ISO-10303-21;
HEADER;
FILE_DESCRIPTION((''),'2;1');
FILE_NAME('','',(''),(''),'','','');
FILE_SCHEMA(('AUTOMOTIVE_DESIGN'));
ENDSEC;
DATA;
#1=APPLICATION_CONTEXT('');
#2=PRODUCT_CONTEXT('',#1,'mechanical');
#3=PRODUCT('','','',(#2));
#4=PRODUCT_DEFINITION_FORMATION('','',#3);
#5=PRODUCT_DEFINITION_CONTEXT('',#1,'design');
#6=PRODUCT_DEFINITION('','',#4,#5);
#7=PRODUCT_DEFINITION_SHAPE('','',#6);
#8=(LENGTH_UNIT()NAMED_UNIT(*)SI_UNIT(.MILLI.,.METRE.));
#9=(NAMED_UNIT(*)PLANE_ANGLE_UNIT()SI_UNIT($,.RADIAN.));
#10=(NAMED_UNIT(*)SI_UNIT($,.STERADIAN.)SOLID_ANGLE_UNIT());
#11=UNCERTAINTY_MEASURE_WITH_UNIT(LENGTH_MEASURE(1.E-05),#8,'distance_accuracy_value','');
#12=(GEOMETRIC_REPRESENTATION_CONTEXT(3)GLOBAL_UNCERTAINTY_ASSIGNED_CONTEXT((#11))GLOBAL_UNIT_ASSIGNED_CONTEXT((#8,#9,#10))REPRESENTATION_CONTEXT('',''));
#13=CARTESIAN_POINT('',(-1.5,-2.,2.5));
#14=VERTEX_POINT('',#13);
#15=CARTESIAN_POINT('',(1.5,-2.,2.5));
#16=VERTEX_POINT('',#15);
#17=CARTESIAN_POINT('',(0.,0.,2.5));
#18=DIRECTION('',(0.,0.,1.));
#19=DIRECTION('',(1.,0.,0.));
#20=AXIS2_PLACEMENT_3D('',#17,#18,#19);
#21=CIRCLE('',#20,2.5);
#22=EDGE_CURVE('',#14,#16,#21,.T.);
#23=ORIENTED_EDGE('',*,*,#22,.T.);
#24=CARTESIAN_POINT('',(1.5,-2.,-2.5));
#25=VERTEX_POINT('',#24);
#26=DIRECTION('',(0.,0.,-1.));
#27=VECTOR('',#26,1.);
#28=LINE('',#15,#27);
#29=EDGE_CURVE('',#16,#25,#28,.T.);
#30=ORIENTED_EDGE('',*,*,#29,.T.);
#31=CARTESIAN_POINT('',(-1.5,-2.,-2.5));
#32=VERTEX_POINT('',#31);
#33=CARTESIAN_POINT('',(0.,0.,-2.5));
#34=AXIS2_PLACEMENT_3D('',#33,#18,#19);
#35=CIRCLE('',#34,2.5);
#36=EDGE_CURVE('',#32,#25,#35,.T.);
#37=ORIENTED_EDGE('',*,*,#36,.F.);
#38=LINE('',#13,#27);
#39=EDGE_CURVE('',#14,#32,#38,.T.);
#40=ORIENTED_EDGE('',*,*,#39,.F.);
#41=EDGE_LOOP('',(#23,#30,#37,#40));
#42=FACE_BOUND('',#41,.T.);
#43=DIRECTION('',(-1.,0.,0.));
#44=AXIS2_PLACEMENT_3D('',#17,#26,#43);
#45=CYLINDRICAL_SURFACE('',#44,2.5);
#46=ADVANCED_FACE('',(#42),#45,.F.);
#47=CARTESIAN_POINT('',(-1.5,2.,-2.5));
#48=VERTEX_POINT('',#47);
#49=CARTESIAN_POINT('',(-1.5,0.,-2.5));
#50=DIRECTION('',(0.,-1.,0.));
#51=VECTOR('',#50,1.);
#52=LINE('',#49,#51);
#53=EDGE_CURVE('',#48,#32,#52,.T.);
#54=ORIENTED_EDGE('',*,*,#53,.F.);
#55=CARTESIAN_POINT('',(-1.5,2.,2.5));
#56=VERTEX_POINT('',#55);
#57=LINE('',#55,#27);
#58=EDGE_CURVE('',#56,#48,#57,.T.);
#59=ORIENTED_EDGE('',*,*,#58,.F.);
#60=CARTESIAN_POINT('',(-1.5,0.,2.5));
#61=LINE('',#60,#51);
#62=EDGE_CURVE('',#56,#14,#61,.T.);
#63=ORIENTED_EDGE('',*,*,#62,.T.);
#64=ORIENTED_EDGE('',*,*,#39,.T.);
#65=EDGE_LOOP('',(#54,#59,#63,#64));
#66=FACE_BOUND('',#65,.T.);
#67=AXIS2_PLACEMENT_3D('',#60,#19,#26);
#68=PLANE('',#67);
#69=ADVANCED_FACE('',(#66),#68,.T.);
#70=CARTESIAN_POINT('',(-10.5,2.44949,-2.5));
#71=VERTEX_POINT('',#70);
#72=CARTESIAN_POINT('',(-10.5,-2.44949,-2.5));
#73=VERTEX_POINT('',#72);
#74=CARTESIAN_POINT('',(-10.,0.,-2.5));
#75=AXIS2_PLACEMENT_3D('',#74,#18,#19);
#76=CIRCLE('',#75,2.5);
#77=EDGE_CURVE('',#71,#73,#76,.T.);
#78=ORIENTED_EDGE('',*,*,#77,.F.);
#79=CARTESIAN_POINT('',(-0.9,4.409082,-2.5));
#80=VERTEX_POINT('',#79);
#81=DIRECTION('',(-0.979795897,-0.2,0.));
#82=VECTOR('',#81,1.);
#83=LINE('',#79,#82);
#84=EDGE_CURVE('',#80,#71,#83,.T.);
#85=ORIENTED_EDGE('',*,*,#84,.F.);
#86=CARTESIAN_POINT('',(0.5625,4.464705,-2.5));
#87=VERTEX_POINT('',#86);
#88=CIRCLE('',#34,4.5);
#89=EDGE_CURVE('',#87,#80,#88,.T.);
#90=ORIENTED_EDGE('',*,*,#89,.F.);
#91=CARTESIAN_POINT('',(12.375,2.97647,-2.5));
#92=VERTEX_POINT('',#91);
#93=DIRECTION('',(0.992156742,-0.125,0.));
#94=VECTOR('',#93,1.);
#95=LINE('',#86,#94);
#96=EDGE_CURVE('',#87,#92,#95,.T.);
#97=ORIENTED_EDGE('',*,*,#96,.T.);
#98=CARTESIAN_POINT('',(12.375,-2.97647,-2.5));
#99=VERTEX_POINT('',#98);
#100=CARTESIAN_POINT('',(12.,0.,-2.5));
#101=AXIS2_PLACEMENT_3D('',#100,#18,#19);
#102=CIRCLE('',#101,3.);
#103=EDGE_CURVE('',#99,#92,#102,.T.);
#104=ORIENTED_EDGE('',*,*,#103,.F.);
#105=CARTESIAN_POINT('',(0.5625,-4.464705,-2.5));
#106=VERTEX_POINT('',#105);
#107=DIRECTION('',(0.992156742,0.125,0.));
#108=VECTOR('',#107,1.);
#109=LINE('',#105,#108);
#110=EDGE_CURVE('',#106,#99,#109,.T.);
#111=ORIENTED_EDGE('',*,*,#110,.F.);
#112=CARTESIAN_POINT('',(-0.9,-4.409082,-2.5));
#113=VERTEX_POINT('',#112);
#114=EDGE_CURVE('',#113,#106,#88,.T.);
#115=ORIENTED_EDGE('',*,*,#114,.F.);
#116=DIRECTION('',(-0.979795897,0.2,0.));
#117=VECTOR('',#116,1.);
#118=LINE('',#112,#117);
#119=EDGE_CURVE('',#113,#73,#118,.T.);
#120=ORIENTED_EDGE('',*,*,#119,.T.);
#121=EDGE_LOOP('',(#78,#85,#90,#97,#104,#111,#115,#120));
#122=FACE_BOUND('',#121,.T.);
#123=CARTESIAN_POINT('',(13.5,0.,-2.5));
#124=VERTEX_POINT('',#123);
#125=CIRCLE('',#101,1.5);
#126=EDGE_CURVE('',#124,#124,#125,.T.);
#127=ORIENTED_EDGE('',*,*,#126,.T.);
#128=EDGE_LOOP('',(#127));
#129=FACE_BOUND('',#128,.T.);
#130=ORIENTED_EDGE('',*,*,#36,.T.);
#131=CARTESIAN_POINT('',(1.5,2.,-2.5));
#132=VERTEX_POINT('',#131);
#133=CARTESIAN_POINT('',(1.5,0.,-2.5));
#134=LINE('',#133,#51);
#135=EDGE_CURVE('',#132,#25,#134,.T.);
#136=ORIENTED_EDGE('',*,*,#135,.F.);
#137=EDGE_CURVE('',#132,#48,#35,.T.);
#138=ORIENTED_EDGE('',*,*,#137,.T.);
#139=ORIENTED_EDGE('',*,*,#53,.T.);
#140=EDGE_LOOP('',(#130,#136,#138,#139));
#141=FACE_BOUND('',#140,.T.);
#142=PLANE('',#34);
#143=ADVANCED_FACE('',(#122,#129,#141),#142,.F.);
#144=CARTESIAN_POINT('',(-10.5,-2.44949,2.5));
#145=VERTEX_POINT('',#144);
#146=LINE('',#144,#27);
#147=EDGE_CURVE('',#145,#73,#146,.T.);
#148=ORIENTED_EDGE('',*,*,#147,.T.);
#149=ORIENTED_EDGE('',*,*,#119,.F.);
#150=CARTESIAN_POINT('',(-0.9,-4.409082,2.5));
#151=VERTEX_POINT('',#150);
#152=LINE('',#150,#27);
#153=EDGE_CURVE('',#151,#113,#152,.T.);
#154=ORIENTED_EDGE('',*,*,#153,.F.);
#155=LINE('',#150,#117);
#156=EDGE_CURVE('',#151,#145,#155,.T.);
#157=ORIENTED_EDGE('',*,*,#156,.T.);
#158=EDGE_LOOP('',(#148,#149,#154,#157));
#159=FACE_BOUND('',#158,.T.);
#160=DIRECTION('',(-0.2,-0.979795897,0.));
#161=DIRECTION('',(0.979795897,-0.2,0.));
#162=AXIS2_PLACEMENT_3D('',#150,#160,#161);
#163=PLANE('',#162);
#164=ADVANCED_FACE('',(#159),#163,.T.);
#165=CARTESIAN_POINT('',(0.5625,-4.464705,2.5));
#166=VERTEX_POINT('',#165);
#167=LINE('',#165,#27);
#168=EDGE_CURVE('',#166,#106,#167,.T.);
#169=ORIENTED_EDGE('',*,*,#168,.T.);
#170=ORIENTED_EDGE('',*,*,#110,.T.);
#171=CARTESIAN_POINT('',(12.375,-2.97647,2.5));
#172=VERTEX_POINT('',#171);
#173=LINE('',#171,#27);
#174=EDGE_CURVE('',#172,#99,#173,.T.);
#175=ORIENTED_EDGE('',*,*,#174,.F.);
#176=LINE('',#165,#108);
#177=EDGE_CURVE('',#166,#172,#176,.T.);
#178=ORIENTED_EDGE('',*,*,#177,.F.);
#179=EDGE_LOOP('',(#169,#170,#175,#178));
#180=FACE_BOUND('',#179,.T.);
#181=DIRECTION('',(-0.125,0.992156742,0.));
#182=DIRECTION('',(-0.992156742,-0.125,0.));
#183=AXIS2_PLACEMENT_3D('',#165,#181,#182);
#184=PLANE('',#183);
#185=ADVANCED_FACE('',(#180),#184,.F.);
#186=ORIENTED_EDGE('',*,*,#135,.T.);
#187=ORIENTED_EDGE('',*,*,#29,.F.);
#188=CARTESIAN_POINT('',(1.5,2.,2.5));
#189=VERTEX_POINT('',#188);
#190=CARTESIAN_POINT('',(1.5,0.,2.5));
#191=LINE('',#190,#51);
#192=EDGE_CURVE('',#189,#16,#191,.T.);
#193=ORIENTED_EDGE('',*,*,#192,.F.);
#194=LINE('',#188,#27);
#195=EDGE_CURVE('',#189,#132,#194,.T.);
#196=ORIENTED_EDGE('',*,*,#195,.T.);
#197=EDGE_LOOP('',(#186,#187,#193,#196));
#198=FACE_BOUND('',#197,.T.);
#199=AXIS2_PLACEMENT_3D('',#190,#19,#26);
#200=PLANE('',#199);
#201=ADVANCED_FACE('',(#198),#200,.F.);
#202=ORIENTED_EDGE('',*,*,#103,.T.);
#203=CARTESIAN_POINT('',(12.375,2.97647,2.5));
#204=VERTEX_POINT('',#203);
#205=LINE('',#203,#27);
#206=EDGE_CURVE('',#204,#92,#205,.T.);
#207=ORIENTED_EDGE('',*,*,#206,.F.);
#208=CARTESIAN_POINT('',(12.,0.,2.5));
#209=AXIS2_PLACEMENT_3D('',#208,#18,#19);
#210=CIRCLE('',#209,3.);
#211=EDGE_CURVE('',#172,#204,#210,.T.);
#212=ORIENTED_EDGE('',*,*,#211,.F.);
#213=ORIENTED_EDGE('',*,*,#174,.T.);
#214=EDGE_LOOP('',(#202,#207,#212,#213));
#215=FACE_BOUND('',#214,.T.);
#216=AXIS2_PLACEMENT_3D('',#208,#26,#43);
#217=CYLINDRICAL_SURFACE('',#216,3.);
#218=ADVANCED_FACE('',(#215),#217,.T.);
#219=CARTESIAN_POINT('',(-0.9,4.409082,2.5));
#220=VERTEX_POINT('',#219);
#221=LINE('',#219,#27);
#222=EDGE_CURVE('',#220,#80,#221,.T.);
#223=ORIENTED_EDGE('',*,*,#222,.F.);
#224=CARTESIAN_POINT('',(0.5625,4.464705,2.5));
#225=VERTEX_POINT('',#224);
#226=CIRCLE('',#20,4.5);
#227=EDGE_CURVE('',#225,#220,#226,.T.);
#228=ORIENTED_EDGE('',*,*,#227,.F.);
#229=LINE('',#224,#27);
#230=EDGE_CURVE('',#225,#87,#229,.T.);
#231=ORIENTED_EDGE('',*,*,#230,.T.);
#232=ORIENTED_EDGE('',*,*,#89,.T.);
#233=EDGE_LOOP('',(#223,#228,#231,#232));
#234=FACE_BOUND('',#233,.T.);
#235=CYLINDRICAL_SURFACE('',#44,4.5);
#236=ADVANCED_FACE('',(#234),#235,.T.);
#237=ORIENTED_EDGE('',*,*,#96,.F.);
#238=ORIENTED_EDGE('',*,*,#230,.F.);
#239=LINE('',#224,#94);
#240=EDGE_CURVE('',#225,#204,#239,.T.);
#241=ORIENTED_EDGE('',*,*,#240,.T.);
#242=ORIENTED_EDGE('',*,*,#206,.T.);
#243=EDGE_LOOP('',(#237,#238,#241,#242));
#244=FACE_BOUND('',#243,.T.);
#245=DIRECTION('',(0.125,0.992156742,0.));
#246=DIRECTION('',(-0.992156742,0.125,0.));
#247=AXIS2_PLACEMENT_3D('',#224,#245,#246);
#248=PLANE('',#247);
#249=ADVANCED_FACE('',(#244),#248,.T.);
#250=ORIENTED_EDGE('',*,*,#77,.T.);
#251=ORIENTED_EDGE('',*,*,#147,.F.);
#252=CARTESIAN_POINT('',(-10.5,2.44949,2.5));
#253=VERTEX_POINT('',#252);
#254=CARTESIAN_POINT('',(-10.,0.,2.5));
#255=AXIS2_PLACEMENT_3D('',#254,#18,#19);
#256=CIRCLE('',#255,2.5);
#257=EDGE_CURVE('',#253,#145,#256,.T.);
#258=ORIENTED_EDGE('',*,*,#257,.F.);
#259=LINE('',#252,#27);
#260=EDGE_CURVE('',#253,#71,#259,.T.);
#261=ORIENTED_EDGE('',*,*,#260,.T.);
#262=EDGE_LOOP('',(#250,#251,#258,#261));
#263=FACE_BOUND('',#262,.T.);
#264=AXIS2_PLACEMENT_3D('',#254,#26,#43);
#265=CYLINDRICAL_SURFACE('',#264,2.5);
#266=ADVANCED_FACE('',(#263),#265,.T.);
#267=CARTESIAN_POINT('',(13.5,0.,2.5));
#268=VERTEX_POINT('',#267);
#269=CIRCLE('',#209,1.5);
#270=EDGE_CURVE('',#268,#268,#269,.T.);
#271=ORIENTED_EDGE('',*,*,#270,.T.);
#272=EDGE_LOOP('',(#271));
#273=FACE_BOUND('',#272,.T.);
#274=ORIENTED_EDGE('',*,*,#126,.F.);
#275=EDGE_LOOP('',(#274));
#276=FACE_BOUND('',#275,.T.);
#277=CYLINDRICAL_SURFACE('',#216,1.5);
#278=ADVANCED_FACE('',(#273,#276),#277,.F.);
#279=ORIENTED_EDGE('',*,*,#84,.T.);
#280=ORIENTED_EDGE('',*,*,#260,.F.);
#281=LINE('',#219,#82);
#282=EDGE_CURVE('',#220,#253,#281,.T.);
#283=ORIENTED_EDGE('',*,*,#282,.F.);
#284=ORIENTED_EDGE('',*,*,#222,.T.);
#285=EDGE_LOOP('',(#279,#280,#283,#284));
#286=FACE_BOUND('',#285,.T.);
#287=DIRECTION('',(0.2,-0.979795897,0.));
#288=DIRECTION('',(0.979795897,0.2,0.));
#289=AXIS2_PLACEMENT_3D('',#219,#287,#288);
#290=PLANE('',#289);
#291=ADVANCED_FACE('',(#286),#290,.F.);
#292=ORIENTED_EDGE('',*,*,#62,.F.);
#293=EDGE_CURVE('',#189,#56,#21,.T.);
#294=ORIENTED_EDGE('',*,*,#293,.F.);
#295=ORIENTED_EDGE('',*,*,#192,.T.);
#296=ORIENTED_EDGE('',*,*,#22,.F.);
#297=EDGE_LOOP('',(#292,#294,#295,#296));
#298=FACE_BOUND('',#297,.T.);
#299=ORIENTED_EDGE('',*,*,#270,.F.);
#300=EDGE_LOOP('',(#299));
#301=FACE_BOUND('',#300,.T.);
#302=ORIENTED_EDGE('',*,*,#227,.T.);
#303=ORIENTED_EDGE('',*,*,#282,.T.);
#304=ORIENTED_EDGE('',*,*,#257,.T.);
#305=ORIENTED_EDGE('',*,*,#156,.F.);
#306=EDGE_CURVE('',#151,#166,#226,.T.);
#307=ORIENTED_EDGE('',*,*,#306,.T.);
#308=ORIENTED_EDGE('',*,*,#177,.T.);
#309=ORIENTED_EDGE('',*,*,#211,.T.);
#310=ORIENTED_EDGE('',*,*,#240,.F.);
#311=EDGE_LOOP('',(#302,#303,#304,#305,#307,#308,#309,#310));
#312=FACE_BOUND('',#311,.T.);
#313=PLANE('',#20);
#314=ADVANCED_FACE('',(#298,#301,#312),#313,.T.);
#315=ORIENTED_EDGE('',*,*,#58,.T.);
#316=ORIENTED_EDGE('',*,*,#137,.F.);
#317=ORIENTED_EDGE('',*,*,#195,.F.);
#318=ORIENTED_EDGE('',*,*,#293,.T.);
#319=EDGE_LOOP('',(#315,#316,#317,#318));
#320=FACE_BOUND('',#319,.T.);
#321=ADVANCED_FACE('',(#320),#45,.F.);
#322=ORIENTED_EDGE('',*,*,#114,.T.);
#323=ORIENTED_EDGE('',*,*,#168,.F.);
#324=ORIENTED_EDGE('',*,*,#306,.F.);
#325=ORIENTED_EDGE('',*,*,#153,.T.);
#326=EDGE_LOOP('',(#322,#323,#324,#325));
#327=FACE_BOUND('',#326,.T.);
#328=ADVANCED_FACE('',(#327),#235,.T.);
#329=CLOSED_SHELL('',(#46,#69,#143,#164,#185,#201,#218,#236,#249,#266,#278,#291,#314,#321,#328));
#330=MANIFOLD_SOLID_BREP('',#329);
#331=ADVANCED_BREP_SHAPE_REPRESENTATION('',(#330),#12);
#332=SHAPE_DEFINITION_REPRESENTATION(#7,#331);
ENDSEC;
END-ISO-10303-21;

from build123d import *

# Parameters (mm, degrees)
SKETCH_1_R      = 2.5
SKETCH_1_R_2    = 4.5
SKETCH_1_R_3    = 3
SKETCH_1_R_4    = 1.5
EXTRUDE_1_DEPTH = 2.5


with BuildPart() as part:
    # Эскиз1 → Бобышка-Вытянуть1 (new, symmetric)
    # profile 1 of 7: a face of its own
    with BuildSketch(Plane.XY):
        with BuildLine():
            ThreePointArc((-0.9, -4.409081537), (-4.5, 0), (-0.9, 4.409081537))
            Line((-0.9, 4.409081537), (-10.5, 2.449489743))
            ThreePointArc((-10.5, 2.449489743), (-8.41886117, 1.936491673), (-7.5, 0))
            ThreePointArc((-7.5, 0), (-8.41886117, -1.936491673), (-10.5, -2.449489743))
            Line((-10.5, -2.449489743), (-0.9, -4.409081537))
        make_face()
    # profile 2 of 7: a face of its own
    with BuildSketch(Plane.XY):
        with Locations((-10, 0)):
            Circle(SKETCH_1_R)
    # profile 3 of 7: a face of its own
    with BuildSketch(Plane.XY):
        Circle(SKETCH_1_R_2)
        Circle(SKETCH_1_R, mode=Mode.SUBTRACT)
    # profile 4 of 7: a face of its own
    with BuildSketch(Plane.XY):
        with BuildLine():
            Line((12.375, 2.976470225), (0.5625, 4.464705337))
            ThreePointArc((0.5625, 4.464705337), (3.375, 2.976470225), (4.5, 0))
            ThreePointArc((4.5, 0), (3.375, -2.976470225), (0.5625, -4.464705337))
            Line((0.5625, -4.464705337), (12.375, -2.976470225))
            ThreePointArc((12.375, -2.976470225), (9, 0), (12.375, 2.976470225))
        make_face()
    # profile 5 of 7: a face of its own
    with BuildSketch(Plane.XY):
        with Locations((12, 0)):
            Circle(SKETCH_1_R_3)
        with Locations((12, 0)):
            Circle(SKETCH_1_R_4, mode=Mode.SUBTRACT)
    # profile 6 of 7: a face of its own
    with BuildSketch(Plane.XY):
        with BuildLine():
            Line((-1.5, -2), (-1.5, 2))
            ThreePointArc((-1.5, 2), (-2.5, 0), (-1.5, -2))
        make_face()
    # profile 7 of 7: a face of its own
    with BuildSketch(Plane.XY):
        with BuildLine():
            ThreePointArc((2.5, 0), (2.236067977, 1.118033989), (1.5, 2))
            Line((1.5, 2), (1.5, -2))
            ThreePointArc((1.5, -2), (2.236067977, -1.118033989), (2.5, 0))
        make_face()
    extrude(amount=EXTRUDE_1_DEPTH, both=True)


solid = part.part
